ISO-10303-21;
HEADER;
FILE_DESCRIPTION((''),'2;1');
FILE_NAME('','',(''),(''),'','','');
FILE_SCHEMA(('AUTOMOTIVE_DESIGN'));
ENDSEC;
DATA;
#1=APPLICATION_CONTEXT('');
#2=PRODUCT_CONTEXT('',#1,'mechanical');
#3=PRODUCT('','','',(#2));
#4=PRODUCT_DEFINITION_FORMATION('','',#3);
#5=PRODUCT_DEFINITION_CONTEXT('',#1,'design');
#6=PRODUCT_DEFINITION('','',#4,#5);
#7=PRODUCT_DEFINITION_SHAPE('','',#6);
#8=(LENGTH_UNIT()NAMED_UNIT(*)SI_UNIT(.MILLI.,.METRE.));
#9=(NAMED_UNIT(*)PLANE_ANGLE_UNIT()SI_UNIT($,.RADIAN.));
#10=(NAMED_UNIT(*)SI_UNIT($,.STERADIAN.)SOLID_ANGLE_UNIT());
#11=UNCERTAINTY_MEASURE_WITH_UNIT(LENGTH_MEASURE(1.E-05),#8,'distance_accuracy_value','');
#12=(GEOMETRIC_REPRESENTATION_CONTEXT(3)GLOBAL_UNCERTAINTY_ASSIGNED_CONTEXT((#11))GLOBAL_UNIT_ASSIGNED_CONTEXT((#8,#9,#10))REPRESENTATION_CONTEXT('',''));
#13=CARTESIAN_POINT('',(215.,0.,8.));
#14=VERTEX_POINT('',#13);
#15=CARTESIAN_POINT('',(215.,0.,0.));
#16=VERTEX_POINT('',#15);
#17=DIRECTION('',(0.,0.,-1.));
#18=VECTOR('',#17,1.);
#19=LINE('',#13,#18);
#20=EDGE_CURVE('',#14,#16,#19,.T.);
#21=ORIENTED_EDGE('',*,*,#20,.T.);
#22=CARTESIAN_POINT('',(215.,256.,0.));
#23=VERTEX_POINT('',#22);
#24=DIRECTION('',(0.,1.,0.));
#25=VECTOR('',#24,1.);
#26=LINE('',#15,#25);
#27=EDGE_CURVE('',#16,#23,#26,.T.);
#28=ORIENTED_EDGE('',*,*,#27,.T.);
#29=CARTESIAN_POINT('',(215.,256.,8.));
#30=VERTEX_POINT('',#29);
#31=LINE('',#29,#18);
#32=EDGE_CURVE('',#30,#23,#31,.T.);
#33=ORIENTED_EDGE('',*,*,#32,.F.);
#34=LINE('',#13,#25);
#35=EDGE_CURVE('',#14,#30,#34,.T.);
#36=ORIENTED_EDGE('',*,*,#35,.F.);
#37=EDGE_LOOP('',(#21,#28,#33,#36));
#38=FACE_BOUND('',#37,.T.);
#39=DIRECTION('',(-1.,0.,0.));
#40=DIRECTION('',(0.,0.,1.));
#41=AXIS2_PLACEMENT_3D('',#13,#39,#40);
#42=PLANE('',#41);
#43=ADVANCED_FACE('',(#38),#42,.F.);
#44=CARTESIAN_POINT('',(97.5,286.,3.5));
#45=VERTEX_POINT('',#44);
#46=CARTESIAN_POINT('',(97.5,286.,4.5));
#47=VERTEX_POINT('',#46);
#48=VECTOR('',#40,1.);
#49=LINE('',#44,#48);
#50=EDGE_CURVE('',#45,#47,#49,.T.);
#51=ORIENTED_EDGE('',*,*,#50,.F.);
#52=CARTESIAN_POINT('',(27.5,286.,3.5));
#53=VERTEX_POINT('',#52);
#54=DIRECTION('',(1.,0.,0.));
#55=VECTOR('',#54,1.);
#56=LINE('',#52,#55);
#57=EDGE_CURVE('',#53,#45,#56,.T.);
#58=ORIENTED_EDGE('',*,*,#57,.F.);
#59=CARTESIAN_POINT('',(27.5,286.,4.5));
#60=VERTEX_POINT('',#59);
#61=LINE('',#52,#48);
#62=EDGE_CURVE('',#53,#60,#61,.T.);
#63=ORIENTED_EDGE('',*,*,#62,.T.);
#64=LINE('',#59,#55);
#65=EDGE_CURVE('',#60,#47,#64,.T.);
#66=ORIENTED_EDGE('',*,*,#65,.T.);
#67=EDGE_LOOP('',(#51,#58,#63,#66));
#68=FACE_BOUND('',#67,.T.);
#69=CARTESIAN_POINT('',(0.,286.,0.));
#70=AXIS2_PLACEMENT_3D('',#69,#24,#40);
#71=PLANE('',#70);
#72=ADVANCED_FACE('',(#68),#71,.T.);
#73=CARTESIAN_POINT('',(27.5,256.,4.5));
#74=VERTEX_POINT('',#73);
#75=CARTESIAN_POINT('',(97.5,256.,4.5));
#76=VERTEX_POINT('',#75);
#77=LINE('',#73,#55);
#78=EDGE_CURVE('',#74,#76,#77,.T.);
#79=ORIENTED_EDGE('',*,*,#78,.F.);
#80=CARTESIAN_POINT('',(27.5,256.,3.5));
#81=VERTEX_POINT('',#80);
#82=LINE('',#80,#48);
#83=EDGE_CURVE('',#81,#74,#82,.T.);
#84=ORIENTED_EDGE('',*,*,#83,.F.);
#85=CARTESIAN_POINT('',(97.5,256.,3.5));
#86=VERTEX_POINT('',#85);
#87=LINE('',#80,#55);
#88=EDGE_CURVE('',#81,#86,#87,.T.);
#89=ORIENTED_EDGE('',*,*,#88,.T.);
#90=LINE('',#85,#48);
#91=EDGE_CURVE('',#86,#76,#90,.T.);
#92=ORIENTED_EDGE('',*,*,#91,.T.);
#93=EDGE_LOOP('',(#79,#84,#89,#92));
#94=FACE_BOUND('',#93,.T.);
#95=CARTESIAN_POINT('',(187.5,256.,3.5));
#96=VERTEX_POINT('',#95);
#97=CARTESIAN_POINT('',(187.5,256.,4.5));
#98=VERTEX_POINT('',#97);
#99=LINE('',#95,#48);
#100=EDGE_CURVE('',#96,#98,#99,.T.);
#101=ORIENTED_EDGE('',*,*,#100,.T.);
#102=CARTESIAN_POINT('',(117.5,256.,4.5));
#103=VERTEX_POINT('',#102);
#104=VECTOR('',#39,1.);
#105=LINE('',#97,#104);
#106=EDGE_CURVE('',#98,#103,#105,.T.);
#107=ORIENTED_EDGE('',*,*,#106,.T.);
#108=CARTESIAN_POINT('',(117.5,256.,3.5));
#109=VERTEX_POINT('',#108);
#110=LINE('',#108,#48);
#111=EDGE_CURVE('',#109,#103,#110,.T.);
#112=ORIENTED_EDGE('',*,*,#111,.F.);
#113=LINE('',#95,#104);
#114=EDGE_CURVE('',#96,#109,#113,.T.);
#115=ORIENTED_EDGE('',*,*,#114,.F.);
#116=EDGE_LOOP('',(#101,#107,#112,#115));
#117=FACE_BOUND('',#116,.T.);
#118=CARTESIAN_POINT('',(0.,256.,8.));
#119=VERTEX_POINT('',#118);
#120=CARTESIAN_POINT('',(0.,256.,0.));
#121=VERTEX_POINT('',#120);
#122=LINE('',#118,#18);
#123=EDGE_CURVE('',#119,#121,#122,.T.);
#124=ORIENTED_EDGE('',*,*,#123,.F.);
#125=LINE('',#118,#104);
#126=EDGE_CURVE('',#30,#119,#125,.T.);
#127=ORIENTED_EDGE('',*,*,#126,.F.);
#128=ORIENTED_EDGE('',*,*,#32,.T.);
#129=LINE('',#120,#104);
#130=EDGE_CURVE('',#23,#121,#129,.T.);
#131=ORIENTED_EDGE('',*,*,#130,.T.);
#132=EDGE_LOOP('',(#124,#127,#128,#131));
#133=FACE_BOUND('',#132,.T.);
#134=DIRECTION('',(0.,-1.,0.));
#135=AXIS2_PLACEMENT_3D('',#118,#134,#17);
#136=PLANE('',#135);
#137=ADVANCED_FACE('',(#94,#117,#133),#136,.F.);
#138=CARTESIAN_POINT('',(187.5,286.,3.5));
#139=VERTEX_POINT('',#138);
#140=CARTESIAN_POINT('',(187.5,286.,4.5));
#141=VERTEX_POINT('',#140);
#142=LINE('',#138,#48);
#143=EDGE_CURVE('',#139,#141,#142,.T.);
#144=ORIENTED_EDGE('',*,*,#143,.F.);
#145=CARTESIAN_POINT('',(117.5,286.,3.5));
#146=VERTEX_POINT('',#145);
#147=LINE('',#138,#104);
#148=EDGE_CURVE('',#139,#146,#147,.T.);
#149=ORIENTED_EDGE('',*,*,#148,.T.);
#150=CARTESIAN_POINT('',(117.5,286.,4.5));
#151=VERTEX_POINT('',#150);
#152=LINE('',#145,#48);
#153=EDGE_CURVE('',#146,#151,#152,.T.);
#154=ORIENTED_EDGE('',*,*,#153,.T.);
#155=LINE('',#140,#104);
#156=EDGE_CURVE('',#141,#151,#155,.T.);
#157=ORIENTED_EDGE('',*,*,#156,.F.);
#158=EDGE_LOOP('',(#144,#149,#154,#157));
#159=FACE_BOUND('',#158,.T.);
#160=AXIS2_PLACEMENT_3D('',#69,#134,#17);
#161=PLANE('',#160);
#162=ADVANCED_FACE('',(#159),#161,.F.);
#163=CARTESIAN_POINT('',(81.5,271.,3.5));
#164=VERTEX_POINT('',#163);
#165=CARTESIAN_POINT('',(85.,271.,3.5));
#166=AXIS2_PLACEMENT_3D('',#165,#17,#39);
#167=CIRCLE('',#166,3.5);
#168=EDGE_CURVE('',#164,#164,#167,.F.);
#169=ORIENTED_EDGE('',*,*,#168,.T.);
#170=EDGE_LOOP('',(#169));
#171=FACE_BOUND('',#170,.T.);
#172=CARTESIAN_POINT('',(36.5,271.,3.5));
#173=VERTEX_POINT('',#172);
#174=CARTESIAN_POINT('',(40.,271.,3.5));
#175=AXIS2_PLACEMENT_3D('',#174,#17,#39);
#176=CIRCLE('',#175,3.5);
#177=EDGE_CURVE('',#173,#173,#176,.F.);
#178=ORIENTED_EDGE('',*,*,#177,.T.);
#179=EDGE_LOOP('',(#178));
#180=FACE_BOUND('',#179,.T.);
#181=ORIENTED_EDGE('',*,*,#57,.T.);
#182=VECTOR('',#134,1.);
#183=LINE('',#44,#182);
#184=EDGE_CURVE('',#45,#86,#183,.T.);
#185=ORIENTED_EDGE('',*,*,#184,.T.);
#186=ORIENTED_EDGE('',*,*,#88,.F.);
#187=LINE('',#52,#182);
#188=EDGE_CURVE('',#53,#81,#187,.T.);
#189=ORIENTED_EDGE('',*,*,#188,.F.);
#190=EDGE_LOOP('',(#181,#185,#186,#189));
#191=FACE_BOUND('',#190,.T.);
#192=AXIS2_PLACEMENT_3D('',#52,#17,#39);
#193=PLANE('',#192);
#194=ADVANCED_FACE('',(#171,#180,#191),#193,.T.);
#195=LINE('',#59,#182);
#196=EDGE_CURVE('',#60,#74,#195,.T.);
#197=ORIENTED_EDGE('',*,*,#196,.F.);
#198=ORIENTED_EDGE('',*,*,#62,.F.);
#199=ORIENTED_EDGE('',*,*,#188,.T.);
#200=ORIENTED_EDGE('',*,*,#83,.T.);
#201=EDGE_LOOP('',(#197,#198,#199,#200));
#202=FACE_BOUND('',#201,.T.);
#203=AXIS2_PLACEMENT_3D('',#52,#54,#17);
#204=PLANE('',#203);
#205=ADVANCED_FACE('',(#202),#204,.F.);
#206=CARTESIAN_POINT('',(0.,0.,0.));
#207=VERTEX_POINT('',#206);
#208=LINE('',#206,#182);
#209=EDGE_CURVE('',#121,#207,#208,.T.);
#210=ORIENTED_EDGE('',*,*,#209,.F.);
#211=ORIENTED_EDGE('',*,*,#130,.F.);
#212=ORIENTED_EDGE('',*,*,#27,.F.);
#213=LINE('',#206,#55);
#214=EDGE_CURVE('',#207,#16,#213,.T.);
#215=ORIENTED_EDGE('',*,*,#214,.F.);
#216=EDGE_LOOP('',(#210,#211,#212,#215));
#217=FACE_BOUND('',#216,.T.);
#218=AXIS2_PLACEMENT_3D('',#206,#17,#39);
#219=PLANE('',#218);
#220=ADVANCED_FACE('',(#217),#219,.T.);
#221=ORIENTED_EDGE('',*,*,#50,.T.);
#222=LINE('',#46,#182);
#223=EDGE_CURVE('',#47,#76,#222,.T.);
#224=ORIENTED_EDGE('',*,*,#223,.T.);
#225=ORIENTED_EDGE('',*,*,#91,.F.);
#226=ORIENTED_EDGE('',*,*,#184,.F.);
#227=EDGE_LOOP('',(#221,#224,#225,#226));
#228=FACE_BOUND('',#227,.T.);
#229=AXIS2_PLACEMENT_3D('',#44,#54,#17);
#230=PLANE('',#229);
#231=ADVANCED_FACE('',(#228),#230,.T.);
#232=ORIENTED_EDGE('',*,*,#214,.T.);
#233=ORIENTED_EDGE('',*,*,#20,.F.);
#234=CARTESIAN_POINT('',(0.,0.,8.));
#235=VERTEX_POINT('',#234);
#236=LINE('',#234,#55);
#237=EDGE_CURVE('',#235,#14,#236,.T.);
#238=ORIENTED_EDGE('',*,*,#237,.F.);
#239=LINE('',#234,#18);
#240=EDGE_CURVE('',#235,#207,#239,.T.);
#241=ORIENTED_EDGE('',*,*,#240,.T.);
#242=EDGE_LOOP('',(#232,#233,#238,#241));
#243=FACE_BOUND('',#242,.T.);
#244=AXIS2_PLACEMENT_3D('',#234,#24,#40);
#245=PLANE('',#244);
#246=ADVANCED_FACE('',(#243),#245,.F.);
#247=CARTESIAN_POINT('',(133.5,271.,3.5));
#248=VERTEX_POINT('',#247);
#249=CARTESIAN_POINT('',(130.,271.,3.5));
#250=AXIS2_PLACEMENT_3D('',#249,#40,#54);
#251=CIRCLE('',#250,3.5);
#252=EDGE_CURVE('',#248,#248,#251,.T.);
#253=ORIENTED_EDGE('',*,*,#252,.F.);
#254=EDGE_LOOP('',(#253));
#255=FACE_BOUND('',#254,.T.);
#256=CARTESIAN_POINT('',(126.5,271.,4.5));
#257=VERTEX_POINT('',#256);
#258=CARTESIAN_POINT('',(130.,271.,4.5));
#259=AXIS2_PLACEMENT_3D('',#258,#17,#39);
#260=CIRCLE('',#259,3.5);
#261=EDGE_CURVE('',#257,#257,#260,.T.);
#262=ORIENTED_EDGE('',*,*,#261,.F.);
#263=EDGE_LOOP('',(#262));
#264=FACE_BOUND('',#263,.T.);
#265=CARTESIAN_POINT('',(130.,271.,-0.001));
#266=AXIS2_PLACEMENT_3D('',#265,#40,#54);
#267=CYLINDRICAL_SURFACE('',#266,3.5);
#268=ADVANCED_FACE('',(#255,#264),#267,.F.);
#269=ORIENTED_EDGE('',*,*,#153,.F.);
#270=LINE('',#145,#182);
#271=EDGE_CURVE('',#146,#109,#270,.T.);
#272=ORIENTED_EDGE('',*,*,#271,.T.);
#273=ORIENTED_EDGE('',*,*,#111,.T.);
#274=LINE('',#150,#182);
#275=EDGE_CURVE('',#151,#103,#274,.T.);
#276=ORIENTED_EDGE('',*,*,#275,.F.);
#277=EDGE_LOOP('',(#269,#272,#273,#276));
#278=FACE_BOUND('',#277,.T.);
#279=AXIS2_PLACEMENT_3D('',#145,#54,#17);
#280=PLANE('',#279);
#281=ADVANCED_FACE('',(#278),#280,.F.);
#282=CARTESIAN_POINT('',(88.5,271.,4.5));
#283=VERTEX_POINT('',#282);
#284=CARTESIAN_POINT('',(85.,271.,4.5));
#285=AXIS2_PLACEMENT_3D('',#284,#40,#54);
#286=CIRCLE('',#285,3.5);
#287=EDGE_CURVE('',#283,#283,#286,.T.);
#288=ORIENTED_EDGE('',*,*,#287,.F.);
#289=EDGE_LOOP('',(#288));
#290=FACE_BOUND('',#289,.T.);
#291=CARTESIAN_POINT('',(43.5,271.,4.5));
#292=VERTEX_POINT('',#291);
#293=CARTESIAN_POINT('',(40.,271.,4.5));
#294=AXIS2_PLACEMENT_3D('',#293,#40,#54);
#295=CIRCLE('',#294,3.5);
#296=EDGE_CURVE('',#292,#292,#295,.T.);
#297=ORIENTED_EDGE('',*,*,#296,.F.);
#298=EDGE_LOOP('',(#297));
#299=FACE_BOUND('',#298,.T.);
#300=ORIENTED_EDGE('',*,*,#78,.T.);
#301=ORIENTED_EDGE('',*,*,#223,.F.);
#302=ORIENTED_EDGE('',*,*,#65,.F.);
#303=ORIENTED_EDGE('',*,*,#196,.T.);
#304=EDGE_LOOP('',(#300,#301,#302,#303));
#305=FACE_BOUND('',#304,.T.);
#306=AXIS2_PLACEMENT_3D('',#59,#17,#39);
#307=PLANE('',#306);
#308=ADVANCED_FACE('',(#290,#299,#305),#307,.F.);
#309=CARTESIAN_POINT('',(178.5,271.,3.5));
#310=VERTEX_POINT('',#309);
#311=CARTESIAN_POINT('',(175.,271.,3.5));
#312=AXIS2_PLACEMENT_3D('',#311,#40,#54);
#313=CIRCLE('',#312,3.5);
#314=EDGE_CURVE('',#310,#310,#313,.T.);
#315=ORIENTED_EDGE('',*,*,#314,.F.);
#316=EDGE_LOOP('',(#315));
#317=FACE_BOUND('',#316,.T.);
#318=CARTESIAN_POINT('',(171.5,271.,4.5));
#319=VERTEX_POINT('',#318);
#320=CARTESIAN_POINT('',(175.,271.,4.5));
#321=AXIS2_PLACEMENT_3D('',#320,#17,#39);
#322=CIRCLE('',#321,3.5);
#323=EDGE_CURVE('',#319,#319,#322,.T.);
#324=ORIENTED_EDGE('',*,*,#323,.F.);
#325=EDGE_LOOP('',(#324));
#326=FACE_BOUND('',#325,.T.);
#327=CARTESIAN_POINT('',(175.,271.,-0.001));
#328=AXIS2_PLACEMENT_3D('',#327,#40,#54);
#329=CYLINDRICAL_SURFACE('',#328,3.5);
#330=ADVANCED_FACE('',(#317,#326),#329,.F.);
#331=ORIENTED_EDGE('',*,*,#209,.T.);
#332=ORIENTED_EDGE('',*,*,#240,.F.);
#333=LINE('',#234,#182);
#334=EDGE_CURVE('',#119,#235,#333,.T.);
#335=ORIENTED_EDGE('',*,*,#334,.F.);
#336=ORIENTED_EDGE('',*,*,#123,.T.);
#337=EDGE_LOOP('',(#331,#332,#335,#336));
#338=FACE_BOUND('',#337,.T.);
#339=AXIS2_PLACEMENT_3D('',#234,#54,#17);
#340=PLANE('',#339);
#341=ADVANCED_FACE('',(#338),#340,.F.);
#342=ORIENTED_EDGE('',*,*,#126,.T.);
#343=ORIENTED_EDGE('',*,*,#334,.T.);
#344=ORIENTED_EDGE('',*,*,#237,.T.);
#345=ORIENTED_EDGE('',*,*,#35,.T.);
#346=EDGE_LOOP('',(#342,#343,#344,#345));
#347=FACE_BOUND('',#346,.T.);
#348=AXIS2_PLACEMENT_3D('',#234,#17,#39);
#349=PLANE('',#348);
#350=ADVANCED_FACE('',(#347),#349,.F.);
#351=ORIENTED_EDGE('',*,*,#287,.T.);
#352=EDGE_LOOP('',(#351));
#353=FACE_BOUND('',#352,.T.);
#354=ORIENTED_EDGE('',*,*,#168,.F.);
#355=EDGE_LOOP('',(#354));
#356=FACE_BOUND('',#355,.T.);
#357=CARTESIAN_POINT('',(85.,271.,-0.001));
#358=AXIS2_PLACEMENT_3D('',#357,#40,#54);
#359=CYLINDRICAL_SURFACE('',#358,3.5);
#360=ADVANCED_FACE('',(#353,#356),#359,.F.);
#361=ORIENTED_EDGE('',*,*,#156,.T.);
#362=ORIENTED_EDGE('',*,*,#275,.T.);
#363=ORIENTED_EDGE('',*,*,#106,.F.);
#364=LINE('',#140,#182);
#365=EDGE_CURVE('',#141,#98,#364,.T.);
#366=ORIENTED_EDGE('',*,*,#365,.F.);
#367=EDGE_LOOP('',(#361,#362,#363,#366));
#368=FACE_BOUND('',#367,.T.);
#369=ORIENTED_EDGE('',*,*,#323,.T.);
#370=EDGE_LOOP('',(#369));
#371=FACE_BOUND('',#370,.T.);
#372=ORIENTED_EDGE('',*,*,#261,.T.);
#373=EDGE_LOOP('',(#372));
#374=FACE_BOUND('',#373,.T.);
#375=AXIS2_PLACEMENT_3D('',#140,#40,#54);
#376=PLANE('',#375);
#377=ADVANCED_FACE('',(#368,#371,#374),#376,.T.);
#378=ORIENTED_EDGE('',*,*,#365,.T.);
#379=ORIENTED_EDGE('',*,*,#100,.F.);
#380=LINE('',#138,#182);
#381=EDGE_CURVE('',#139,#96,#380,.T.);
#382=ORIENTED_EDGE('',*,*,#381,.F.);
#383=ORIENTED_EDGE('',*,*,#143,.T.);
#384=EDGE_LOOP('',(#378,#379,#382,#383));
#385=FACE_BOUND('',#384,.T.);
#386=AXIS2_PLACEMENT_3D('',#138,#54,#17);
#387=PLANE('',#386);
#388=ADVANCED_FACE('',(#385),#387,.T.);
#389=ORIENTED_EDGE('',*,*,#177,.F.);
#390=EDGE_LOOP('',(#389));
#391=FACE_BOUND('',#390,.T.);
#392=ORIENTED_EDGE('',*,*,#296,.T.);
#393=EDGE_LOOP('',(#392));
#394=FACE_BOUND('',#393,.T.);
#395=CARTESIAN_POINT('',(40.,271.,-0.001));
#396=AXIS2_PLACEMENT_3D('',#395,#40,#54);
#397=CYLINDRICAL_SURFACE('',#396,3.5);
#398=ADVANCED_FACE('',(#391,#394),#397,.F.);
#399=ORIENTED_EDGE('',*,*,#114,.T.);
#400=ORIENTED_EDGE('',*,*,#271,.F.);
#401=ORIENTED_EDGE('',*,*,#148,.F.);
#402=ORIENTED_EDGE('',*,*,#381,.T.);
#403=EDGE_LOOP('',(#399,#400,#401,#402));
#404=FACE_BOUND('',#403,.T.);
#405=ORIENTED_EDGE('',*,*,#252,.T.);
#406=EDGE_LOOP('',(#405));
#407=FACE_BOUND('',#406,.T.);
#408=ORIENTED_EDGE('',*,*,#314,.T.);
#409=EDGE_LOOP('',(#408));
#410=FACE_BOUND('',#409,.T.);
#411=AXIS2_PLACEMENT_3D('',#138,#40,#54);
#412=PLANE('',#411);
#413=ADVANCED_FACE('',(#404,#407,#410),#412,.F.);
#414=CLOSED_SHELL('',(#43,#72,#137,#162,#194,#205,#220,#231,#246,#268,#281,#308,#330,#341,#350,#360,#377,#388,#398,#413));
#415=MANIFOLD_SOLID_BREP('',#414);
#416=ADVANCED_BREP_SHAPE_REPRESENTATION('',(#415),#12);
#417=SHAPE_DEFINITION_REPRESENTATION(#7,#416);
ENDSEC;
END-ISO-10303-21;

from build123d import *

# Parameters (mm, degrees)
SKETCH2_W           = 215
SKETCH2_H           = 256
BOSS_EXTRUDE1_DEPTH = 8
SKETCH3_W           = 70
SKETCH3_H           = 1
BOSS_EXTRUDE3_DEPTH = 30
CUT_EXTRUDE1_REACH  = 359.829
SKETCH5_R           = 3.5


with BuildPart() as part:
    # Sketch2 → Boss-Extrude1 (new body)
    with BuildSketch(Plane.XY):
        with Locations((107.5, 128)):
            Rectangle(SKETCH2_W, SKETCH2_H)
    extrude(amount=BOSS_EXTRUDE1_DEPTH)

    # Sketch3 → Boss-Extrude3 (add)
    with BuildSketch(Plane(origin=(0, 256, 0), x_dir=(1, 0, 0), z_dir=(0, 1, 0))):
        with Locations((62.5, -4)):
            Rectangle(SKETCH3_W, SKETCH3_H)
        with Locations((152.5, -4)):
            Rectangle(SKETCH3_W, SKETCH3_H)
    extrude(amount=BOSS_EXTRUDE3_DEPTH)

    # Sketch5 → Cut-Extrude1 (cut, up to next)
    with BuildSketch(Plane.XY.offset(4.5), mode=Mode.PRIVATE) as cut_extrude1_sk1:
        with Locations((40, 271)):
            Circle(SKETCH5_R)
    cut_extrude1_tool1 = extrude(cut_extrude1_sk1.sketch, amount=-CUT_EXTRUDE1_REACH, mode=Mode.PRIVATE) & part.part
    # Sketch5 → Cut-Extrude1 (cut, up to next)
    with BuildSketch(Plane.XY.offset(4.5), mode=Mode.PRIVATE) as cut_extrude1_sk2:
        with Locations((85, 271)):
            Circle(SKETCH5_R)
    cut_extrude1_tool2 = extrude(cut_extrude1_sk2.sketch, amount=-CUT_EXTRUDE1_REACH, mode=Mode.PRIVATE) & part.part
    cut_extrude1_1 = cut_extrude1_tool1.solids().sort_by_distance((40, 271, 4.5))[0]
    add(cut_extrude1_1, mode=Mode.SUBTRACT)
    cut_extrude1_2 = cut_extrude1_tool2.solids().sort_by_distance((85, 271, 4.5))[0]
    add(cut_extrude1_2, mode=Mode.SUBTRACT)
    cut_extrude1 = cut_extrude1_1 + cut_extrude1_2  # Cut-Extrude1 as one shape, for the pattern or mirror that repeats it

    # Mirror1: Cut-Extrude1 across plane
    add(cut_extrude1.mirror(Plane(origin=(107.5, 0, 0), x_dir=(0, 0, 1), z_dir=(1, 0, 0))), mode=Mode.SUBTRACT)


solid = part.part
